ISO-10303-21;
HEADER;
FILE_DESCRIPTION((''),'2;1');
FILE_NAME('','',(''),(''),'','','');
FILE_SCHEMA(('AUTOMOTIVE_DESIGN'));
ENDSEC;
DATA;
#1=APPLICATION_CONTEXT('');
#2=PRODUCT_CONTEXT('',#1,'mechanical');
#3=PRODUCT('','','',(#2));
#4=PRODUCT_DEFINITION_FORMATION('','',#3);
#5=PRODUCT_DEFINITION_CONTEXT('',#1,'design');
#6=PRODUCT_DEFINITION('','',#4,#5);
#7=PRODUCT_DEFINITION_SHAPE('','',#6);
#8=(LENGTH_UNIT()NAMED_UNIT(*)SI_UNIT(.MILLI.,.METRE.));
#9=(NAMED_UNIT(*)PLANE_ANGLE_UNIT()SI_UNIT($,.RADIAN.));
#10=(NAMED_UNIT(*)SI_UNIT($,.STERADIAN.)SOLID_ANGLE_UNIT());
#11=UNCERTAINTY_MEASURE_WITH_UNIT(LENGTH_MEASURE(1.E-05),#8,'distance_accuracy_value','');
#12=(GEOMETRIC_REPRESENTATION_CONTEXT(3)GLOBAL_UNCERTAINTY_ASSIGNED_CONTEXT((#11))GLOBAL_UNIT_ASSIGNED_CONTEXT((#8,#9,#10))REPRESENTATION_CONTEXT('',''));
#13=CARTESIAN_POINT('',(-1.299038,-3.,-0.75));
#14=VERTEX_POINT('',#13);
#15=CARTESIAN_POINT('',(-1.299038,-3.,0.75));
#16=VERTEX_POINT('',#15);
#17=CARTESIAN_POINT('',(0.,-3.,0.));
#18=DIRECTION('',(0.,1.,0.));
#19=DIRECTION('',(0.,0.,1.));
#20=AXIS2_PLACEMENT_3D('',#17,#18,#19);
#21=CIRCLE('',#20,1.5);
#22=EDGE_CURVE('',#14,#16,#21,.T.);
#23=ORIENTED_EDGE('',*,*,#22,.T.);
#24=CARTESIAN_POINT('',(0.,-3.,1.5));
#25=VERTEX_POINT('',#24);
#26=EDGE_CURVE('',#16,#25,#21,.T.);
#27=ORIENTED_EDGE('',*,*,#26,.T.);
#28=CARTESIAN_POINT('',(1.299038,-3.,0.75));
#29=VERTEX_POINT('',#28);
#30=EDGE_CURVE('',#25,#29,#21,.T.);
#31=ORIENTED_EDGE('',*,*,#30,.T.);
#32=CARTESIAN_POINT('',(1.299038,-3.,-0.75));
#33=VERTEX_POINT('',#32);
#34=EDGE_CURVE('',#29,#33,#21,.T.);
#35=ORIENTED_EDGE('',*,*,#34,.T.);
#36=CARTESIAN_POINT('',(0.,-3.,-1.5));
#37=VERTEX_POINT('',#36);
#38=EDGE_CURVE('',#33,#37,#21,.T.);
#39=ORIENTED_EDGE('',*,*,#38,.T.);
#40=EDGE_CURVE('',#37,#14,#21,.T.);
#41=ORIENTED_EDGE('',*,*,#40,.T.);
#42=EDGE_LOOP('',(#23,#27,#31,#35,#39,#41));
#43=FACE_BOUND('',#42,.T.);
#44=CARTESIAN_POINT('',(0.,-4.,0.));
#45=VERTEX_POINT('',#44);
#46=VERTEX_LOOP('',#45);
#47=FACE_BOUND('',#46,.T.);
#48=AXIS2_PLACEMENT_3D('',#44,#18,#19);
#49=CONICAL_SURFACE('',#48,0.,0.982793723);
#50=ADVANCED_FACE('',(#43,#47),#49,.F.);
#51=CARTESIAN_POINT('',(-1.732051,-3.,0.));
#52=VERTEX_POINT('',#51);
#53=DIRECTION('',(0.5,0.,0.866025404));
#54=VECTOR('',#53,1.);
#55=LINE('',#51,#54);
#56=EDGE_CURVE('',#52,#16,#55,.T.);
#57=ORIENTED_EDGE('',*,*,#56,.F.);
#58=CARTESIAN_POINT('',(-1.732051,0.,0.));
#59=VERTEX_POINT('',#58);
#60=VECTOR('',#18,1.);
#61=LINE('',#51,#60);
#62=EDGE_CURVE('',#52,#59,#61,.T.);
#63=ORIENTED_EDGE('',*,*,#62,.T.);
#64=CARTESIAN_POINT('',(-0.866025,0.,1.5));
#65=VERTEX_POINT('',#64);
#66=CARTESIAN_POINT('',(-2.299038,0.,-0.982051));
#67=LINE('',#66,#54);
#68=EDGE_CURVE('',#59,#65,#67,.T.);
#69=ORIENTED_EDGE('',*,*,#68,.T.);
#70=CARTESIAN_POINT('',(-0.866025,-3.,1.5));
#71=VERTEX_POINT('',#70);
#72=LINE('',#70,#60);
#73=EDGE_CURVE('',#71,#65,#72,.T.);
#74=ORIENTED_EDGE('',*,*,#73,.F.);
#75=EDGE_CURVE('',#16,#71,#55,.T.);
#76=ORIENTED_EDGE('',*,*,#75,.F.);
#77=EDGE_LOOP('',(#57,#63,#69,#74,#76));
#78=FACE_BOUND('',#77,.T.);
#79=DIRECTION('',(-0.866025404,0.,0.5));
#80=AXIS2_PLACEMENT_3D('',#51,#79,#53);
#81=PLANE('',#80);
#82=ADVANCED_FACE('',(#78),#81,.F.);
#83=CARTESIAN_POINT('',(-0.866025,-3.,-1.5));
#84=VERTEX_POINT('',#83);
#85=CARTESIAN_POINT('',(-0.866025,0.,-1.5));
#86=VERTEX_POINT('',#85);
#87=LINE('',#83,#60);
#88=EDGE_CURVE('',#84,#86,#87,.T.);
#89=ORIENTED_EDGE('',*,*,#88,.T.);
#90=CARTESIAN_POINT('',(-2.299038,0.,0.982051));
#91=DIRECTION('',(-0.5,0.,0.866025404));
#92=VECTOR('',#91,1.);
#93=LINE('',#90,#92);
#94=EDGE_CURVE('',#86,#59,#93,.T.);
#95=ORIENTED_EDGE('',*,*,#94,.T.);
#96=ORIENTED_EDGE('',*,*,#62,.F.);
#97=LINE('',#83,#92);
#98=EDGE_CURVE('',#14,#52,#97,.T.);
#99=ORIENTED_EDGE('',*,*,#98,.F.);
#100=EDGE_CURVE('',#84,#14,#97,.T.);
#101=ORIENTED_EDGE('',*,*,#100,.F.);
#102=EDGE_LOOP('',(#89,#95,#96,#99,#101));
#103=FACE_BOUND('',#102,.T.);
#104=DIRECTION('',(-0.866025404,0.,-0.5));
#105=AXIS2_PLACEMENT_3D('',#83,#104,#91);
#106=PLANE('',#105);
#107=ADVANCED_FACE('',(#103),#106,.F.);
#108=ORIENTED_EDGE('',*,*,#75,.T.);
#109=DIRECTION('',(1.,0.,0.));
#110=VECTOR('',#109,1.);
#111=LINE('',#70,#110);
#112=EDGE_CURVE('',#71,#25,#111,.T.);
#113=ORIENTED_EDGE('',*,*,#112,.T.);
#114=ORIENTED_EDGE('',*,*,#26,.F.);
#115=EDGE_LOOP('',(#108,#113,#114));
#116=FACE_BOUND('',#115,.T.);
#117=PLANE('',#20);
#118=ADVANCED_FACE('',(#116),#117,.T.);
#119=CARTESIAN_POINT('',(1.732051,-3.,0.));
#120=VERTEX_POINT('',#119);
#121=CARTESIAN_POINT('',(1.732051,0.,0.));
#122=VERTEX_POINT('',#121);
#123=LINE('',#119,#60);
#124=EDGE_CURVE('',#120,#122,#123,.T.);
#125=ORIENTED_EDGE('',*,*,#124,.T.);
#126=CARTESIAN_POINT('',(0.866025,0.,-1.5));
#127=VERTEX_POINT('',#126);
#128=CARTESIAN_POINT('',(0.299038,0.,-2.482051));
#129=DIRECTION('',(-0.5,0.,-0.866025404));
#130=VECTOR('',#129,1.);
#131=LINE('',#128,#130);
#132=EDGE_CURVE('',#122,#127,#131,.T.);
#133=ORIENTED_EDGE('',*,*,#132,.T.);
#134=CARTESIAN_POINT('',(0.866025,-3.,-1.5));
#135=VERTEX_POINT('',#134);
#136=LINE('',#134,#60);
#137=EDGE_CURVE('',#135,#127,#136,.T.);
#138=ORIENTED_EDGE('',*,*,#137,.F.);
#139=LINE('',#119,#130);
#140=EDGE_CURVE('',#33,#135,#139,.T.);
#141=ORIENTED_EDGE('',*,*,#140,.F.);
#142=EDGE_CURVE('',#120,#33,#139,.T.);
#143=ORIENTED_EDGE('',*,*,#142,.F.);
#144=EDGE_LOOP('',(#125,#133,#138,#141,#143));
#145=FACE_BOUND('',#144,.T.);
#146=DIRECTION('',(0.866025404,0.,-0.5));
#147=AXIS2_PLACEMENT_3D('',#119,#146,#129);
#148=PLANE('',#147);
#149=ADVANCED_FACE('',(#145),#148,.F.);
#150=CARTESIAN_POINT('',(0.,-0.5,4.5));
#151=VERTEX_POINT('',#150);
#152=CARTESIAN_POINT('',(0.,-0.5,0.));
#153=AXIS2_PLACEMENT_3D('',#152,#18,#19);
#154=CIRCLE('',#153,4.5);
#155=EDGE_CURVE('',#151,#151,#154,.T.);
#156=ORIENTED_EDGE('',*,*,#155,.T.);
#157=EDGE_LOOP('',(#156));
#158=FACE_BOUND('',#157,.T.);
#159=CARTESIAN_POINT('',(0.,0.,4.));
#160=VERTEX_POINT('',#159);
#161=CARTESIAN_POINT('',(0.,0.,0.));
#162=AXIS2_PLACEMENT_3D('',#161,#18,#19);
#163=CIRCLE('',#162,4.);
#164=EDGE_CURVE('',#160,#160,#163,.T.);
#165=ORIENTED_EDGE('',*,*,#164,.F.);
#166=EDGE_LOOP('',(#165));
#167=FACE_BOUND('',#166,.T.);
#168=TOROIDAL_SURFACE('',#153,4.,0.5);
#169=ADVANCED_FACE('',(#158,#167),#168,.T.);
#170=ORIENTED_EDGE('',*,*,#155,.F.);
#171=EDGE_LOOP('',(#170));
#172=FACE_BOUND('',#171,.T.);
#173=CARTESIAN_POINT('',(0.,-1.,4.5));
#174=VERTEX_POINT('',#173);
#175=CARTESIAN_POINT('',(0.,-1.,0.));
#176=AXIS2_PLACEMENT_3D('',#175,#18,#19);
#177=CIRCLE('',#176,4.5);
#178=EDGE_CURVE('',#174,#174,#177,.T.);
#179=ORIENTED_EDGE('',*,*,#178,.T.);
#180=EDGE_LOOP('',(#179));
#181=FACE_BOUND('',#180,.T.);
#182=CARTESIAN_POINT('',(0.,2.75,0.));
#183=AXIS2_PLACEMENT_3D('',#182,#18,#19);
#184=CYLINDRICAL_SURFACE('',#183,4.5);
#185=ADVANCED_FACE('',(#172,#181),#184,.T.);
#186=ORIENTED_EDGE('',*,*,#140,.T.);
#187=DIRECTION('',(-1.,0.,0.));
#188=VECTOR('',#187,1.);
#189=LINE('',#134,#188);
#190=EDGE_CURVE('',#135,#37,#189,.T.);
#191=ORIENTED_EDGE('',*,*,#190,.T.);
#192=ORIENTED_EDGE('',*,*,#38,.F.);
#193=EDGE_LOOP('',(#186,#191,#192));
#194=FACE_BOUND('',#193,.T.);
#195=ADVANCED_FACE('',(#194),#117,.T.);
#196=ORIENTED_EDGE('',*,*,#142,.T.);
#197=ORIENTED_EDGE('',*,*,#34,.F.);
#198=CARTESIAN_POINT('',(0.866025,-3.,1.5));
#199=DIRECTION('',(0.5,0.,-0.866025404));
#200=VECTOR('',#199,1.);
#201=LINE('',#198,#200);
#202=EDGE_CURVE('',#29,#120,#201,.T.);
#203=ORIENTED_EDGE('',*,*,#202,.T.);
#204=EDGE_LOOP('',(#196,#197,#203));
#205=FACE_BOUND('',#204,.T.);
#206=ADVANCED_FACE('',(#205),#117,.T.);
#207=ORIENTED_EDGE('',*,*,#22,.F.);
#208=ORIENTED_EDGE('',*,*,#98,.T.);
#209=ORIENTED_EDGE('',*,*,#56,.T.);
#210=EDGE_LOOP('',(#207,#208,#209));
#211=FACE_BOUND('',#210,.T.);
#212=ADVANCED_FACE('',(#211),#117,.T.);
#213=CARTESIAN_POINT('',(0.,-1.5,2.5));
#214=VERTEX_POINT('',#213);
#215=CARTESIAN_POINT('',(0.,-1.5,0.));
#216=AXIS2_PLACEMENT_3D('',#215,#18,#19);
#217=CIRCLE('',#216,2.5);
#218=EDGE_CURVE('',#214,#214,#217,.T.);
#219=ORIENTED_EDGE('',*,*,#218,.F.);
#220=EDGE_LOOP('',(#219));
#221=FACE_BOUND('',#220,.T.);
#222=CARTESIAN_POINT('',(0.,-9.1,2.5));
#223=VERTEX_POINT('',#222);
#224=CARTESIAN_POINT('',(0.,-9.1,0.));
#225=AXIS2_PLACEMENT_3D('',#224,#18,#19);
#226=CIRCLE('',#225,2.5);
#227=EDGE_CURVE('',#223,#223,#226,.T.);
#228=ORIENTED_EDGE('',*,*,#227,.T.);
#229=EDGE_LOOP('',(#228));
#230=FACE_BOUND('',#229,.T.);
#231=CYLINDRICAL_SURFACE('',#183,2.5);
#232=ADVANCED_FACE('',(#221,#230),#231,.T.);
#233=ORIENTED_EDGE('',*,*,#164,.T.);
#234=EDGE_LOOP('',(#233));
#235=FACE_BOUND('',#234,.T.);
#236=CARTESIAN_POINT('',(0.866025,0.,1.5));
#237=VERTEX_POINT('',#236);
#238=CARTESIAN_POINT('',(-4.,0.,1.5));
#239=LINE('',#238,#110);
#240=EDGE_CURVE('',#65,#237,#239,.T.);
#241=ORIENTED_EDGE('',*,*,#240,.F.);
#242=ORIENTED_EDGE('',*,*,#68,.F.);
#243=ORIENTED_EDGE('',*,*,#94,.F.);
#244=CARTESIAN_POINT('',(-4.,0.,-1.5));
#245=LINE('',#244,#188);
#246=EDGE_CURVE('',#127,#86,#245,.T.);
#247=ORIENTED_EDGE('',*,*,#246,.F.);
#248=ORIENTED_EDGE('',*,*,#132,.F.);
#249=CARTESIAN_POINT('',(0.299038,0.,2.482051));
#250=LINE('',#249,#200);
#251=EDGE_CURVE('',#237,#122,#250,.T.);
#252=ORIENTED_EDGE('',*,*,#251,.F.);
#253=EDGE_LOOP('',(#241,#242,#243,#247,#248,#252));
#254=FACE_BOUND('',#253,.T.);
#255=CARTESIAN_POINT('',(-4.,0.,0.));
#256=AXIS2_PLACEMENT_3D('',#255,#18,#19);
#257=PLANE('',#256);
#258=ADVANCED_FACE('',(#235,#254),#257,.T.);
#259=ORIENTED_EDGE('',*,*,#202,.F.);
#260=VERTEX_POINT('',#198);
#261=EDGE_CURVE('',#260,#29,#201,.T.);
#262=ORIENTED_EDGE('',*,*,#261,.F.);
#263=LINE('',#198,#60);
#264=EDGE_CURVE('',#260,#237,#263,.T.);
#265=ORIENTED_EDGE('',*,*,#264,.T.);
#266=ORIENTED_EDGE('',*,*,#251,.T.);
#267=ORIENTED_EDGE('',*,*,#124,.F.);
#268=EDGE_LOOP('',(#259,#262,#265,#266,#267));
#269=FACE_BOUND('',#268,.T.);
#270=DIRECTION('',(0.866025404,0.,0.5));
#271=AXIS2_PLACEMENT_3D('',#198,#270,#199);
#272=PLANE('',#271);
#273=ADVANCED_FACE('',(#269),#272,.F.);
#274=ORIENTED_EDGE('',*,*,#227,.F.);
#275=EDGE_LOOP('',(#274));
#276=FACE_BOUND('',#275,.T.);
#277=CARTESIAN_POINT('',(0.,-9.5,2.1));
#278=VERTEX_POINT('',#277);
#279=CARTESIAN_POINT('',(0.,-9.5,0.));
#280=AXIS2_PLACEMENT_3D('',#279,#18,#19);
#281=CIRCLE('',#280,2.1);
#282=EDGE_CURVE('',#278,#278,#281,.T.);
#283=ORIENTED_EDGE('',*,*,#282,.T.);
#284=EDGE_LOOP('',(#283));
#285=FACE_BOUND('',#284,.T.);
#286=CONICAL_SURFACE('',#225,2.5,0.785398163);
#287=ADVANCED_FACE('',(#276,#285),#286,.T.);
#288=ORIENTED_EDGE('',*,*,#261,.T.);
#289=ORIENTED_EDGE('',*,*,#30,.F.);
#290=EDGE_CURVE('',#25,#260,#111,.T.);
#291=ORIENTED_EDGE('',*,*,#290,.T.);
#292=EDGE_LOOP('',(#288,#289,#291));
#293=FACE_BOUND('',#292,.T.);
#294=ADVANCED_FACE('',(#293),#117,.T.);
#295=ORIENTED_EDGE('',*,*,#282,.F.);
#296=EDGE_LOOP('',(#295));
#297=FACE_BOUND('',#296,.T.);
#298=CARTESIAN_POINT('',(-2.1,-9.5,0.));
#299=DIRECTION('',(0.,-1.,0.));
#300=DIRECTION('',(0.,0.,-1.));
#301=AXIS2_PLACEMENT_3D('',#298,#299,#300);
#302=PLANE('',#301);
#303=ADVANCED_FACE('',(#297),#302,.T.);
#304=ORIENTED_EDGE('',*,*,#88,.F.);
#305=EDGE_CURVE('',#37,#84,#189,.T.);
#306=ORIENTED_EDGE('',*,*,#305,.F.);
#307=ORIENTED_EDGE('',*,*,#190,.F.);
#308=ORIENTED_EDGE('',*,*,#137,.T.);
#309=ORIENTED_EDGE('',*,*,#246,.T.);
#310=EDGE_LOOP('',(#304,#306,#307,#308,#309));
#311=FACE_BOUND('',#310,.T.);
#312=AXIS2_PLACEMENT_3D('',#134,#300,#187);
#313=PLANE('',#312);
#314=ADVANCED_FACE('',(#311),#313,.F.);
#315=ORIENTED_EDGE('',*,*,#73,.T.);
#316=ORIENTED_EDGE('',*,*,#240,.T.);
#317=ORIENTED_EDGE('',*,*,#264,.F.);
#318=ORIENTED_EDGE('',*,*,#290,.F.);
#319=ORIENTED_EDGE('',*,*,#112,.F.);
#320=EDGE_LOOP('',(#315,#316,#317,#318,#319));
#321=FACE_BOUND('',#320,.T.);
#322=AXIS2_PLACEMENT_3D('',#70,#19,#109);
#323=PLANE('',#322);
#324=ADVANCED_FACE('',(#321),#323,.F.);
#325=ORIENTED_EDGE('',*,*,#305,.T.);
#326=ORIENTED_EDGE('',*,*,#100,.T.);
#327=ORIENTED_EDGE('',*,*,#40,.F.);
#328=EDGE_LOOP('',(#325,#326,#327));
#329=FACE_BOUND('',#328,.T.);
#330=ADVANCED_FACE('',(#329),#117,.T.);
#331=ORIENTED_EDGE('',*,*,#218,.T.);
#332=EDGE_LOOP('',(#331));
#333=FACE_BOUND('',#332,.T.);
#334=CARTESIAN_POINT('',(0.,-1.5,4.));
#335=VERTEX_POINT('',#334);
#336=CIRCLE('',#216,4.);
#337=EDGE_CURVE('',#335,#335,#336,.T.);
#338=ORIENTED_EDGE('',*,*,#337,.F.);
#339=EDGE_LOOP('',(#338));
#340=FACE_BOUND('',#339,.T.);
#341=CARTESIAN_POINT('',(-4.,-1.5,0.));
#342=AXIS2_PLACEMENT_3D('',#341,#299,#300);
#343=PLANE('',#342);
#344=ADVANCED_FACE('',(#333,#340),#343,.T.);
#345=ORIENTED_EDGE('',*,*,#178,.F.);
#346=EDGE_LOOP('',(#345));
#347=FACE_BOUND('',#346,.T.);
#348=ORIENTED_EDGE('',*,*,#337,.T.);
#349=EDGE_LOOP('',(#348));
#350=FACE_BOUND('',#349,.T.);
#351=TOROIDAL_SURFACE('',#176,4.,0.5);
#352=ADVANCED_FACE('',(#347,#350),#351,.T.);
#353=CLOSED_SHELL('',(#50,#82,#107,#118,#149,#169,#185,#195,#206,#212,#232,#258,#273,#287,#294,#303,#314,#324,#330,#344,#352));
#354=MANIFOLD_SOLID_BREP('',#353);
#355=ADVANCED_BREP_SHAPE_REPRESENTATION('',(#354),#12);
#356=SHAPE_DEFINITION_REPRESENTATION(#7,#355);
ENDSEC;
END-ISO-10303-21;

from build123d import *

# Parameters (mm, degrees)
CUT_EXTRUDE2_DEPTH = 3


with BuildPart() as part:
    # Sketch1 → Revolve1 (revolve)
    with BuildSketch(Plane.XY, mode=Mode.PRIVATE) as revolve1_sk:
        with BuildLine():
            Line((-4.5, -0.5), (-4.5, -1))
            ThreePointArc((-4.5, -1), (-4.353553391, -1.353553391), (-4, -1.5))
            Line((-4, -1.5), (-2.5, -1.5))
            Line((-2.5, -1.5), (-2.5, -9.1))
            Line((-2.5, -9.1), (-2.1, -9.5))
            Line((-2.1, -9.5), (0, -9.5))
            Line((0, -9.5), (0, -4))
            Line((0, -4), (-1.5, -3))
            Line((-1.5, -3), (-1.5, 0))
            Line((-1.5, 0), (-4, 0))
            ThreePointArc((-4, 0), (-4.353553391, -0.146446609), (-4.5, -0.5))
        make_face()
    revolve(revolve1_sk.sketch.rotate(Axis((0, 2.75, 0), (0, -1, 0)), 270), axis=Axis((0, 2.75, 0), (0, -1, 0)))

    # Sketch3 → Cut-Extrude2 (cut)
    with BuildSketch(Plane(origin=(0, 0, 0), x_dir=(1, 0, 0), z_dir=(0, 1, 0))):
        Polygon((-0.866025404, -1.5), (0.866025404, -1.5), (1.732050808, 0), (0.866025404, 1.5), (-0.866025404, 1.5), (-1.732050808, 0), align=None)
    extrude(amount=-CUT_EXTRUDE2_DEPTH, mode=Mode.SUBTRACT)


solid = part.part
